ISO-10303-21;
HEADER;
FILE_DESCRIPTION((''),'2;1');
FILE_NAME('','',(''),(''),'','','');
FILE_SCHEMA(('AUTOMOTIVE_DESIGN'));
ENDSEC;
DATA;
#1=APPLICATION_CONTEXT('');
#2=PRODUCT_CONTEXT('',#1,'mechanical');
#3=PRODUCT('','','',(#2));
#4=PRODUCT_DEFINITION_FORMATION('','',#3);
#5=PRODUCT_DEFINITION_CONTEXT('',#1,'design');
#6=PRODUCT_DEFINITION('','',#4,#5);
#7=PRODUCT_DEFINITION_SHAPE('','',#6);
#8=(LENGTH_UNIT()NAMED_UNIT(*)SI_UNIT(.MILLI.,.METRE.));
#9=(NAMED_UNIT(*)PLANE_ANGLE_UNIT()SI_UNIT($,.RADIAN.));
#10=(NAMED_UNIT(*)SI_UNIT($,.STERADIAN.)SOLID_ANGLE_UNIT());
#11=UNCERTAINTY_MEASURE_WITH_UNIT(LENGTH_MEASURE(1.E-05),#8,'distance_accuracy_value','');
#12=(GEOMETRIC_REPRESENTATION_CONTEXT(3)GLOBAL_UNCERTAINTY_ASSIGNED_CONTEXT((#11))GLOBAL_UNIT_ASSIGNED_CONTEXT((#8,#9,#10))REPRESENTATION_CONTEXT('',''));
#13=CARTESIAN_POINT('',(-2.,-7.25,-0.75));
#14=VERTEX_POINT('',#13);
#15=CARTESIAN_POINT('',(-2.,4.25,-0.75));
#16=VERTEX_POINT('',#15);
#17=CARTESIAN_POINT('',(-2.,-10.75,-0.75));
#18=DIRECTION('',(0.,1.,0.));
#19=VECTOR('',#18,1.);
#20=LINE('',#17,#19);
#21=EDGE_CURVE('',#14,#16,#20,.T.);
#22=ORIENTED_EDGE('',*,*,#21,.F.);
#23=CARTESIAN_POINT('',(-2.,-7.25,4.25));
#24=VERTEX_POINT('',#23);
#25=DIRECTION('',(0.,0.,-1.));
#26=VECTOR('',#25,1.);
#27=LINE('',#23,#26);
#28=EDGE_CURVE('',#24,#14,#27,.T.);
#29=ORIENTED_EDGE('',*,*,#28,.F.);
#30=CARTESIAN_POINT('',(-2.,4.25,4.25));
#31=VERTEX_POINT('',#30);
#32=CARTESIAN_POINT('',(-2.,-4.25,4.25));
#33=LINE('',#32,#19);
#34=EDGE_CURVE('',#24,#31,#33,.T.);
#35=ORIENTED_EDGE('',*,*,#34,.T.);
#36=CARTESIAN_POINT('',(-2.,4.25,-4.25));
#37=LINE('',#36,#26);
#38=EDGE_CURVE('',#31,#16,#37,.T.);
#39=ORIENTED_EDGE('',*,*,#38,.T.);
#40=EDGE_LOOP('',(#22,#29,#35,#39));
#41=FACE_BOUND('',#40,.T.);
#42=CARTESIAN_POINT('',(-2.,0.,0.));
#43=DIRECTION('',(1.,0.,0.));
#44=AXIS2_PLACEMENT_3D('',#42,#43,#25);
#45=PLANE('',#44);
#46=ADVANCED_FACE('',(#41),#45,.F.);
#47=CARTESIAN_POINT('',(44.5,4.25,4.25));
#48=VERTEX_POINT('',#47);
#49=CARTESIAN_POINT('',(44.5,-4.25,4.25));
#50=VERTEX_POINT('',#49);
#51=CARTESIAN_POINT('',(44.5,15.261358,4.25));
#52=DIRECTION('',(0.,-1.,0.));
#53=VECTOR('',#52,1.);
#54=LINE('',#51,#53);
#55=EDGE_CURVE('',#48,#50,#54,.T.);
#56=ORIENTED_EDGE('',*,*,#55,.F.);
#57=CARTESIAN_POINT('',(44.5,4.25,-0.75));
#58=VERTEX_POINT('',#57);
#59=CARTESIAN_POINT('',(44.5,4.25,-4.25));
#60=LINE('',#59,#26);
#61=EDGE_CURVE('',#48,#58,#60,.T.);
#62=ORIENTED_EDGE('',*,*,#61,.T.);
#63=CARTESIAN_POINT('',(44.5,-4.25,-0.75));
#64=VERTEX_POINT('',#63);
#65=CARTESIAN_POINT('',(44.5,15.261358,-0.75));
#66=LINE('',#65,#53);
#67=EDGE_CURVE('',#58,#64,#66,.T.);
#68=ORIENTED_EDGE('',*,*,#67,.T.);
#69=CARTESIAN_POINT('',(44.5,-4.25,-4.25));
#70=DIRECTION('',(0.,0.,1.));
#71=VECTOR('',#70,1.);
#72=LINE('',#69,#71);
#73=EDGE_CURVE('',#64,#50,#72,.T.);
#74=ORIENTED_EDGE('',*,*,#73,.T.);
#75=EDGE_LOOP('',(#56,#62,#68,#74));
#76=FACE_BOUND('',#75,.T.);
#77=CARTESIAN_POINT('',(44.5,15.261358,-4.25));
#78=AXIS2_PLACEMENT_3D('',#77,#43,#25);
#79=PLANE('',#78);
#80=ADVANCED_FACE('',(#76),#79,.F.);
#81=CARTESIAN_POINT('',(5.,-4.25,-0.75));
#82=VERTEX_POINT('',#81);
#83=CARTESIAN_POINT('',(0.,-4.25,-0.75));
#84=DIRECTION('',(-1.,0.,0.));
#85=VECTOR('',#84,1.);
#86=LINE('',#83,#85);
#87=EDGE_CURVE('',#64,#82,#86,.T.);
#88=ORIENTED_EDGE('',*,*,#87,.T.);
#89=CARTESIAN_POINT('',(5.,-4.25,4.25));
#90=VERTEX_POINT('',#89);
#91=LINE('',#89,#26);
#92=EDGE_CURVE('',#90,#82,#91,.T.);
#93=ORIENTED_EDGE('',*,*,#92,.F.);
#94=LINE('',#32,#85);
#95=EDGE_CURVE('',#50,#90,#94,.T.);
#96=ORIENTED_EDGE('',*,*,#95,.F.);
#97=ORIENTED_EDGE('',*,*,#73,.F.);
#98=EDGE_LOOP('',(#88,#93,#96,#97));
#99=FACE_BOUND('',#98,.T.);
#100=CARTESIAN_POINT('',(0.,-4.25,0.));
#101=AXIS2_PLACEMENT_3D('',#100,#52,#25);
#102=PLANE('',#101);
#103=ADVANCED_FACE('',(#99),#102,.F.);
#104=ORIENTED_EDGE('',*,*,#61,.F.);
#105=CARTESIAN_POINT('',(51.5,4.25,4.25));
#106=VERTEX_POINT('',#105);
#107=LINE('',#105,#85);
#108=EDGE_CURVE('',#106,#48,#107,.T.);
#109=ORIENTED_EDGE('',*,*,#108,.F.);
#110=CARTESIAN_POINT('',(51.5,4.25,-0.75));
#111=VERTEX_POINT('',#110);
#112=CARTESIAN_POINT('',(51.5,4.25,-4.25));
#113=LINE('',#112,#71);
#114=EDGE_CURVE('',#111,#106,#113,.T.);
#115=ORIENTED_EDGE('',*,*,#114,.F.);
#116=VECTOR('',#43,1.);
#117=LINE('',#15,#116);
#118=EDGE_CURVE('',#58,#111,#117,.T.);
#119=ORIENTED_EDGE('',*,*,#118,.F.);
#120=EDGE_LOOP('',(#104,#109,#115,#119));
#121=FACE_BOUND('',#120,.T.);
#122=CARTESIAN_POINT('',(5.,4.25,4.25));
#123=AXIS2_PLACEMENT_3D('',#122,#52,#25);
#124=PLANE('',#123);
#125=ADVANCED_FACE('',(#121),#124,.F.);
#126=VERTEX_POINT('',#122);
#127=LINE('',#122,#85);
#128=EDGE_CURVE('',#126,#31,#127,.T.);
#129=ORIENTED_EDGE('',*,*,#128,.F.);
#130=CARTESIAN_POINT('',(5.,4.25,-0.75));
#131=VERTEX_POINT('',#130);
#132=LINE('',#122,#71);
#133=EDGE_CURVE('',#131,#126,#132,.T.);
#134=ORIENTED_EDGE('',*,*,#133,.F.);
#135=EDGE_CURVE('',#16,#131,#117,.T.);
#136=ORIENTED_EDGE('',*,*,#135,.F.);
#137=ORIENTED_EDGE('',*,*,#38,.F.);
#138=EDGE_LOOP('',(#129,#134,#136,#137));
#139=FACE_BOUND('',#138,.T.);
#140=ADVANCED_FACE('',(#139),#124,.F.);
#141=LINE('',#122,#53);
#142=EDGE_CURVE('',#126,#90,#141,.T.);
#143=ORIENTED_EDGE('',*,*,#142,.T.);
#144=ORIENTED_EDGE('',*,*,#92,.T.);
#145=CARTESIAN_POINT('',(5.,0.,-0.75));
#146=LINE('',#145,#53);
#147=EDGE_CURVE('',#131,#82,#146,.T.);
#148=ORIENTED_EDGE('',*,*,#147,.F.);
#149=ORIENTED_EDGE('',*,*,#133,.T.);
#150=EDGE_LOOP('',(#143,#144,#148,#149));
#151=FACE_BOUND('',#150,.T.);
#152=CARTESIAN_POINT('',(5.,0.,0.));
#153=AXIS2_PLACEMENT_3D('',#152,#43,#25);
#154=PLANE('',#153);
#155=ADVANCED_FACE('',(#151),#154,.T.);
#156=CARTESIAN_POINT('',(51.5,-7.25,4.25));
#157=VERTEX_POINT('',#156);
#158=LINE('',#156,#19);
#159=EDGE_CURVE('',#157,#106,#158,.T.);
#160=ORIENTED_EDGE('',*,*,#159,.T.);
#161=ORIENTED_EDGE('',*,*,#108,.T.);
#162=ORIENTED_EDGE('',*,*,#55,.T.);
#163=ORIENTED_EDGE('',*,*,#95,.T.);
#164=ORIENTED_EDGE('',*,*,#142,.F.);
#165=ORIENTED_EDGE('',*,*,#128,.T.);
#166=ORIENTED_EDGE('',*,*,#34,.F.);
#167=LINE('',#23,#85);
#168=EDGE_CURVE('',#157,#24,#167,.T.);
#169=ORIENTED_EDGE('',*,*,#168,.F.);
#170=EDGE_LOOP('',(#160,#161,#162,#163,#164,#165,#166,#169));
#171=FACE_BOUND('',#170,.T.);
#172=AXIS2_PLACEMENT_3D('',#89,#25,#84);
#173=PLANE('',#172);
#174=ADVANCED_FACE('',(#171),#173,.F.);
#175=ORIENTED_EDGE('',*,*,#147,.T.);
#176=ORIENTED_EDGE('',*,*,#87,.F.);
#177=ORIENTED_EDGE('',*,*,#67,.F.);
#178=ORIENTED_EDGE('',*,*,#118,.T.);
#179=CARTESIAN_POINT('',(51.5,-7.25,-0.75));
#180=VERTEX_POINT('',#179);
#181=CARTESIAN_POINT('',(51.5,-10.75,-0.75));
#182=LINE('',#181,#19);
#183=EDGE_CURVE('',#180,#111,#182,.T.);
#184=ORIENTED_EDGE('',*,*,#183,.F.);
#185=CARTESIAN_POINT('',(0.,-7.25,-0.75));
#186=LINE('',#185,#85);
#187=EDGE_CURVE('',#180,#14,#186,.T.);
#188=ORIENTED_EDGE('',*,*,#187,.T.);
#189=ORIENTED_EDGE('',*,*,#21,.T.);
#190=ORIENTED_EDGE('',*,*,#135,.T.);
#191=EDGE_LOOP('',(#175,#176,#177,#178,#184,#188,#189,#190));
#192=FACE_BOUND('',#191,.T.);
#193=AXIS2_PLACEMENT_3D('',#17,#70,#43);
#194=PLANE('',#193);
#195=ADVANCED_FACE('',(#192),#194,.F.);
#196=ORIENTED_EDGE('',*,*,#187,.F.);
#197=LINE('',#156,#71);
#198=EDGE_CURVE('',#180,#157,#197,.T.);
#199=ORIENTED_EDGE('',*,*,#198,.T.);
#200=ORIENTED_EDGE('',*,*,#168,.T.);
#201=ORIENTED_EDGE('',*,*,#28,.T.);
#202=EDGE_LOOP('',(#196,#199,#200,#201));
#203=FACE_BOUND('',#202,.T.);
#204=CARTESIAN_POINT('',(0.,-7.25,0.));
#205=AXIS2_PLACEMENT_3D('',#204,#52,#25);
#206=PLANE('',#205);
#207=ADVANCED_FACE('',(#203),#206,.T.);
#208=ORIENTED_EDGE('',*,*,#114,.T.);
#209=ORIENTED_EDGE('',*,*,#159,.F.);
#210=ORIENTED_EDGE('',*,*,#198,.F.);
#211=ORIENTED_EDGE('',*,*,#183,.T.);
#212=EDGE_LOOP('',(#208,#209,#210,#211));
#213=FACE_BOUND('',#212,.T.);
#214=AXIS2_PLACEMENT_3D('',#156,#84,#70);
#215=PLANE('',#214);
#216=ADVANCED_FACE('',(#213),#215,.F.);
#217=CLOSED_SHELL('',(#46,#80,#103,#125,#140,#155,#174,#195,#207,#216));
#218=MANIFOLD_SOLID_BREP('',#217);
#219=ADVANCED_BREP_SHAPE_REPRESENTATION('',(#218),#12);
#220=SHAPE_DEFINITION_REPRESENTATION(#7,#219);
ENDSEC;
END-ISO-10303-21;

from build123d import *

# Parameters (mm, degrees)
SKETCH1_W           = 8.5
SKETCH1_H           = 8.5
BOSS_EXTRUDE1_DEPTH = 5
SKETCH2_W           = 8.5
SKETCH2_H           = 8.5
BOSS_EXTRUDE2_DEPTH = 2
SKETCH3_R           = 1.5
CUT_EXTRUDE1_DEPTH  = 2
SKETCH4_W           = 53.5
SKETCH4_H           = 8.5
BOSS_EXTRUDE3_DEPTH = 3
SKETCH5_W           = 7
SKETCH5_H           = 8.5
BOSS_EXTRUDE4_DEPTH = 8.5
SKETCH8_R           = 1.5
BOSS_EXTRUDE5_DEPTH = 2.5
SKETCH10_W          = 8.5
SKETCH10_H          = 8.5
BOSS_EXTRUDE7_DEPTH = 1
CUT_EXTRUDE4_DEPTH  = 0.5
SKETCH14_W          = 8.5
SKETCH14_H          = 8.5
BOSS_EXTRUDE8_DEPTH = 8
SKETCH15_W          = 8.5
SKETCH15_H          = 8.5
CUT_EXTRUDE6_DEPTH  = 1
SKETCH16_W          = 53.5
SKETCH16_H          = 3.5
CUT_EXTRUDE7_DEPTH  = 15
SKETCH17_W          = 5
SKETCH17_H          = 8.5
BOSS_EXTRUDE9_DEPTH = 7


with BuildPart() as part:
    # Sketch1 → Boss-Extrude1 (new body)
    with BuildSketch(Plane(origin=(0, 0, 0), x_dir=(0, 0, -1), z_dir=(1, 0, 0))):
        Rectangle(SKETCH1_W, SKETCH1_H)
        Polygon((1.705, 2.953146627), (-1.705, 2.953146627), (-3.41, 0), (-1.705, -2.953146627), (1.705, -2.953146627), (3.41, 0), align=None, mode=Mode.SUBTRACT)
    extrude(amount=BOSS_EXTRUDE1_DEPTH)

    # Sketch2 → Boss-Extrude2 (add)
    with BuildSketch(Plane.ZY):
        Rectangle(SKETCH2_W, SKETCH2_H)
    extrude(amount=BOSS_EXTRUDE2_DEPTH)

    # Sketch3 → Cut-Extrude1 (cut)
    with BuildSketch(Plane(origin=(0, 0, 0), x_dir=(0, 0, -1), z_dir=(1, 0, 0))):
        Circle(SKETCH3_R)
    extrude(amount=-CUT_EXTRUDE1_DEPTH, mode=Mode.SUBTRACT)

    # Sketch4 → Boss-Extrude3 (add)
    with BuildSketch(Plane.XZ.offset(4.25)):
        with Locations((24.75, 0)):
            Rectangle(SKETCH4_W, SKETCH4_H)
    extrude(amount=BOSS_EXTRUDE3_DEPTH)

    # Sketch5 → Boss-Extrude4 (add)
    with BuildSketch(Plane(origin=(0, -4.25, 0), x_dir=(1, 0, 0), z_dir=(0, 1, 0))):
        with Locations((48, 0)):
            Rectangle(SKETCH5_W, SKETCH5_H)
    extrude(amount=BOSS_EXTRUDE4_DEPTH)

    # Sketch8 → Boss-Extrude5 (add)
    with BuildSketch(Plane(origin=(0, 0, 0), x_dir=(0, 0, -1), z_dir=(1, 0, 0))):
        Polygon((-1.705, 2.953146627), (-3.41, 0), (-1.705, -2.953146627), (1.705, -2.953146627), (3.41, 0), (1.705, 2.953146627), align=None)
        Circle(SKETCH8_R, mode=Mode.SUBTRACT)
    extrude(amount=BOSS_EXTRUDE5_DEPTH)

    # Sketch10 → Boss-Extrude7 (add)
    with BuildSketch(Plane(origin=(5, 0, 0), x_dir=(0, 0, -1), z_dir=(1, 0, 0))):
        Rectangle(SKETCH10_W, SKETCH10_H)
        Polygon((3.41, 0), (1.705, 2.953146627), (-1.705, 2.953146627), (-3.41, 0), (-1.705, -2.953146627), (1.705, -2.953146627), align=None, mode=Mode.SUBTRACT)
    extrude(amount=BOSS_EXTRUDE7_DEPTH)

    # Sketch12 → Cut-Extrude4 (cut)
    with BuildSketch(Plane(origin=(2.5, 0, 0), x_dir=(0, 0, -1), z_dir=(1, 0, 0))):
        Polygon((1.705, -2.953146627), (3.41, 0), (1.705, 2.953146627), (-1.705, 2.953146627), (-3.41, 0), (-1.705, -2.953146627), align=None)
    extrude(amount=-CUT_EXTRUDE4_DEPTH, mode=Mode.SUBTRACT)

    # Sketch14 → Boss-Extrude8 (add)
    with BuildSketch(Plane(origin=(6, 0, 0), x_dir=(0, 0, -1), z_dir=(1, 0, 0))):
        Rectangle(SKETCH14_W, SKETCH14_H)
    extrude(amount=-BOSS_EXTRUDE8_DEPTH)

    # Sketch15 → Cut-Extrude6 (cut)
    with BuildSketch(Plane(origin=(6, 0, 0), x_dir=(0, 0, -1), z_dir=(1, 0, 0))):
        Rectangle(SKETCH15_W, SKETCH15_H)
    extrude(amount=-CUT_EXTRUDE6_DEPTH, mode=Mode.SUBTRACT)

    # Sketch16 → Cut-Extrude7 (cut)
    with BuildSketch(Plane(origin=(0, 4.25, 0), x_dir=(1, 0, 0), z_dir=(0, 1, 0))):
        with Locations((24.75, 2.5)):
            Rectangle(SKETCH16_W, SKETCH16_H)
    extrude(amount=-CUT_EXTRUDE7_DEPTH, mode=Mode.SUBTRACT)

    # Sketch17 → Boss-Extrude9 (add)
    with BuildSketch(Plane.ZY.offset(-44.5)):
        with Locations((1.75, 0)):
            Rectangle(SKETCH17_W, SKETCH17_H)
    extrude(amount=-BOSS_EXTRUDE9_DEPTH)


solid = part.part
